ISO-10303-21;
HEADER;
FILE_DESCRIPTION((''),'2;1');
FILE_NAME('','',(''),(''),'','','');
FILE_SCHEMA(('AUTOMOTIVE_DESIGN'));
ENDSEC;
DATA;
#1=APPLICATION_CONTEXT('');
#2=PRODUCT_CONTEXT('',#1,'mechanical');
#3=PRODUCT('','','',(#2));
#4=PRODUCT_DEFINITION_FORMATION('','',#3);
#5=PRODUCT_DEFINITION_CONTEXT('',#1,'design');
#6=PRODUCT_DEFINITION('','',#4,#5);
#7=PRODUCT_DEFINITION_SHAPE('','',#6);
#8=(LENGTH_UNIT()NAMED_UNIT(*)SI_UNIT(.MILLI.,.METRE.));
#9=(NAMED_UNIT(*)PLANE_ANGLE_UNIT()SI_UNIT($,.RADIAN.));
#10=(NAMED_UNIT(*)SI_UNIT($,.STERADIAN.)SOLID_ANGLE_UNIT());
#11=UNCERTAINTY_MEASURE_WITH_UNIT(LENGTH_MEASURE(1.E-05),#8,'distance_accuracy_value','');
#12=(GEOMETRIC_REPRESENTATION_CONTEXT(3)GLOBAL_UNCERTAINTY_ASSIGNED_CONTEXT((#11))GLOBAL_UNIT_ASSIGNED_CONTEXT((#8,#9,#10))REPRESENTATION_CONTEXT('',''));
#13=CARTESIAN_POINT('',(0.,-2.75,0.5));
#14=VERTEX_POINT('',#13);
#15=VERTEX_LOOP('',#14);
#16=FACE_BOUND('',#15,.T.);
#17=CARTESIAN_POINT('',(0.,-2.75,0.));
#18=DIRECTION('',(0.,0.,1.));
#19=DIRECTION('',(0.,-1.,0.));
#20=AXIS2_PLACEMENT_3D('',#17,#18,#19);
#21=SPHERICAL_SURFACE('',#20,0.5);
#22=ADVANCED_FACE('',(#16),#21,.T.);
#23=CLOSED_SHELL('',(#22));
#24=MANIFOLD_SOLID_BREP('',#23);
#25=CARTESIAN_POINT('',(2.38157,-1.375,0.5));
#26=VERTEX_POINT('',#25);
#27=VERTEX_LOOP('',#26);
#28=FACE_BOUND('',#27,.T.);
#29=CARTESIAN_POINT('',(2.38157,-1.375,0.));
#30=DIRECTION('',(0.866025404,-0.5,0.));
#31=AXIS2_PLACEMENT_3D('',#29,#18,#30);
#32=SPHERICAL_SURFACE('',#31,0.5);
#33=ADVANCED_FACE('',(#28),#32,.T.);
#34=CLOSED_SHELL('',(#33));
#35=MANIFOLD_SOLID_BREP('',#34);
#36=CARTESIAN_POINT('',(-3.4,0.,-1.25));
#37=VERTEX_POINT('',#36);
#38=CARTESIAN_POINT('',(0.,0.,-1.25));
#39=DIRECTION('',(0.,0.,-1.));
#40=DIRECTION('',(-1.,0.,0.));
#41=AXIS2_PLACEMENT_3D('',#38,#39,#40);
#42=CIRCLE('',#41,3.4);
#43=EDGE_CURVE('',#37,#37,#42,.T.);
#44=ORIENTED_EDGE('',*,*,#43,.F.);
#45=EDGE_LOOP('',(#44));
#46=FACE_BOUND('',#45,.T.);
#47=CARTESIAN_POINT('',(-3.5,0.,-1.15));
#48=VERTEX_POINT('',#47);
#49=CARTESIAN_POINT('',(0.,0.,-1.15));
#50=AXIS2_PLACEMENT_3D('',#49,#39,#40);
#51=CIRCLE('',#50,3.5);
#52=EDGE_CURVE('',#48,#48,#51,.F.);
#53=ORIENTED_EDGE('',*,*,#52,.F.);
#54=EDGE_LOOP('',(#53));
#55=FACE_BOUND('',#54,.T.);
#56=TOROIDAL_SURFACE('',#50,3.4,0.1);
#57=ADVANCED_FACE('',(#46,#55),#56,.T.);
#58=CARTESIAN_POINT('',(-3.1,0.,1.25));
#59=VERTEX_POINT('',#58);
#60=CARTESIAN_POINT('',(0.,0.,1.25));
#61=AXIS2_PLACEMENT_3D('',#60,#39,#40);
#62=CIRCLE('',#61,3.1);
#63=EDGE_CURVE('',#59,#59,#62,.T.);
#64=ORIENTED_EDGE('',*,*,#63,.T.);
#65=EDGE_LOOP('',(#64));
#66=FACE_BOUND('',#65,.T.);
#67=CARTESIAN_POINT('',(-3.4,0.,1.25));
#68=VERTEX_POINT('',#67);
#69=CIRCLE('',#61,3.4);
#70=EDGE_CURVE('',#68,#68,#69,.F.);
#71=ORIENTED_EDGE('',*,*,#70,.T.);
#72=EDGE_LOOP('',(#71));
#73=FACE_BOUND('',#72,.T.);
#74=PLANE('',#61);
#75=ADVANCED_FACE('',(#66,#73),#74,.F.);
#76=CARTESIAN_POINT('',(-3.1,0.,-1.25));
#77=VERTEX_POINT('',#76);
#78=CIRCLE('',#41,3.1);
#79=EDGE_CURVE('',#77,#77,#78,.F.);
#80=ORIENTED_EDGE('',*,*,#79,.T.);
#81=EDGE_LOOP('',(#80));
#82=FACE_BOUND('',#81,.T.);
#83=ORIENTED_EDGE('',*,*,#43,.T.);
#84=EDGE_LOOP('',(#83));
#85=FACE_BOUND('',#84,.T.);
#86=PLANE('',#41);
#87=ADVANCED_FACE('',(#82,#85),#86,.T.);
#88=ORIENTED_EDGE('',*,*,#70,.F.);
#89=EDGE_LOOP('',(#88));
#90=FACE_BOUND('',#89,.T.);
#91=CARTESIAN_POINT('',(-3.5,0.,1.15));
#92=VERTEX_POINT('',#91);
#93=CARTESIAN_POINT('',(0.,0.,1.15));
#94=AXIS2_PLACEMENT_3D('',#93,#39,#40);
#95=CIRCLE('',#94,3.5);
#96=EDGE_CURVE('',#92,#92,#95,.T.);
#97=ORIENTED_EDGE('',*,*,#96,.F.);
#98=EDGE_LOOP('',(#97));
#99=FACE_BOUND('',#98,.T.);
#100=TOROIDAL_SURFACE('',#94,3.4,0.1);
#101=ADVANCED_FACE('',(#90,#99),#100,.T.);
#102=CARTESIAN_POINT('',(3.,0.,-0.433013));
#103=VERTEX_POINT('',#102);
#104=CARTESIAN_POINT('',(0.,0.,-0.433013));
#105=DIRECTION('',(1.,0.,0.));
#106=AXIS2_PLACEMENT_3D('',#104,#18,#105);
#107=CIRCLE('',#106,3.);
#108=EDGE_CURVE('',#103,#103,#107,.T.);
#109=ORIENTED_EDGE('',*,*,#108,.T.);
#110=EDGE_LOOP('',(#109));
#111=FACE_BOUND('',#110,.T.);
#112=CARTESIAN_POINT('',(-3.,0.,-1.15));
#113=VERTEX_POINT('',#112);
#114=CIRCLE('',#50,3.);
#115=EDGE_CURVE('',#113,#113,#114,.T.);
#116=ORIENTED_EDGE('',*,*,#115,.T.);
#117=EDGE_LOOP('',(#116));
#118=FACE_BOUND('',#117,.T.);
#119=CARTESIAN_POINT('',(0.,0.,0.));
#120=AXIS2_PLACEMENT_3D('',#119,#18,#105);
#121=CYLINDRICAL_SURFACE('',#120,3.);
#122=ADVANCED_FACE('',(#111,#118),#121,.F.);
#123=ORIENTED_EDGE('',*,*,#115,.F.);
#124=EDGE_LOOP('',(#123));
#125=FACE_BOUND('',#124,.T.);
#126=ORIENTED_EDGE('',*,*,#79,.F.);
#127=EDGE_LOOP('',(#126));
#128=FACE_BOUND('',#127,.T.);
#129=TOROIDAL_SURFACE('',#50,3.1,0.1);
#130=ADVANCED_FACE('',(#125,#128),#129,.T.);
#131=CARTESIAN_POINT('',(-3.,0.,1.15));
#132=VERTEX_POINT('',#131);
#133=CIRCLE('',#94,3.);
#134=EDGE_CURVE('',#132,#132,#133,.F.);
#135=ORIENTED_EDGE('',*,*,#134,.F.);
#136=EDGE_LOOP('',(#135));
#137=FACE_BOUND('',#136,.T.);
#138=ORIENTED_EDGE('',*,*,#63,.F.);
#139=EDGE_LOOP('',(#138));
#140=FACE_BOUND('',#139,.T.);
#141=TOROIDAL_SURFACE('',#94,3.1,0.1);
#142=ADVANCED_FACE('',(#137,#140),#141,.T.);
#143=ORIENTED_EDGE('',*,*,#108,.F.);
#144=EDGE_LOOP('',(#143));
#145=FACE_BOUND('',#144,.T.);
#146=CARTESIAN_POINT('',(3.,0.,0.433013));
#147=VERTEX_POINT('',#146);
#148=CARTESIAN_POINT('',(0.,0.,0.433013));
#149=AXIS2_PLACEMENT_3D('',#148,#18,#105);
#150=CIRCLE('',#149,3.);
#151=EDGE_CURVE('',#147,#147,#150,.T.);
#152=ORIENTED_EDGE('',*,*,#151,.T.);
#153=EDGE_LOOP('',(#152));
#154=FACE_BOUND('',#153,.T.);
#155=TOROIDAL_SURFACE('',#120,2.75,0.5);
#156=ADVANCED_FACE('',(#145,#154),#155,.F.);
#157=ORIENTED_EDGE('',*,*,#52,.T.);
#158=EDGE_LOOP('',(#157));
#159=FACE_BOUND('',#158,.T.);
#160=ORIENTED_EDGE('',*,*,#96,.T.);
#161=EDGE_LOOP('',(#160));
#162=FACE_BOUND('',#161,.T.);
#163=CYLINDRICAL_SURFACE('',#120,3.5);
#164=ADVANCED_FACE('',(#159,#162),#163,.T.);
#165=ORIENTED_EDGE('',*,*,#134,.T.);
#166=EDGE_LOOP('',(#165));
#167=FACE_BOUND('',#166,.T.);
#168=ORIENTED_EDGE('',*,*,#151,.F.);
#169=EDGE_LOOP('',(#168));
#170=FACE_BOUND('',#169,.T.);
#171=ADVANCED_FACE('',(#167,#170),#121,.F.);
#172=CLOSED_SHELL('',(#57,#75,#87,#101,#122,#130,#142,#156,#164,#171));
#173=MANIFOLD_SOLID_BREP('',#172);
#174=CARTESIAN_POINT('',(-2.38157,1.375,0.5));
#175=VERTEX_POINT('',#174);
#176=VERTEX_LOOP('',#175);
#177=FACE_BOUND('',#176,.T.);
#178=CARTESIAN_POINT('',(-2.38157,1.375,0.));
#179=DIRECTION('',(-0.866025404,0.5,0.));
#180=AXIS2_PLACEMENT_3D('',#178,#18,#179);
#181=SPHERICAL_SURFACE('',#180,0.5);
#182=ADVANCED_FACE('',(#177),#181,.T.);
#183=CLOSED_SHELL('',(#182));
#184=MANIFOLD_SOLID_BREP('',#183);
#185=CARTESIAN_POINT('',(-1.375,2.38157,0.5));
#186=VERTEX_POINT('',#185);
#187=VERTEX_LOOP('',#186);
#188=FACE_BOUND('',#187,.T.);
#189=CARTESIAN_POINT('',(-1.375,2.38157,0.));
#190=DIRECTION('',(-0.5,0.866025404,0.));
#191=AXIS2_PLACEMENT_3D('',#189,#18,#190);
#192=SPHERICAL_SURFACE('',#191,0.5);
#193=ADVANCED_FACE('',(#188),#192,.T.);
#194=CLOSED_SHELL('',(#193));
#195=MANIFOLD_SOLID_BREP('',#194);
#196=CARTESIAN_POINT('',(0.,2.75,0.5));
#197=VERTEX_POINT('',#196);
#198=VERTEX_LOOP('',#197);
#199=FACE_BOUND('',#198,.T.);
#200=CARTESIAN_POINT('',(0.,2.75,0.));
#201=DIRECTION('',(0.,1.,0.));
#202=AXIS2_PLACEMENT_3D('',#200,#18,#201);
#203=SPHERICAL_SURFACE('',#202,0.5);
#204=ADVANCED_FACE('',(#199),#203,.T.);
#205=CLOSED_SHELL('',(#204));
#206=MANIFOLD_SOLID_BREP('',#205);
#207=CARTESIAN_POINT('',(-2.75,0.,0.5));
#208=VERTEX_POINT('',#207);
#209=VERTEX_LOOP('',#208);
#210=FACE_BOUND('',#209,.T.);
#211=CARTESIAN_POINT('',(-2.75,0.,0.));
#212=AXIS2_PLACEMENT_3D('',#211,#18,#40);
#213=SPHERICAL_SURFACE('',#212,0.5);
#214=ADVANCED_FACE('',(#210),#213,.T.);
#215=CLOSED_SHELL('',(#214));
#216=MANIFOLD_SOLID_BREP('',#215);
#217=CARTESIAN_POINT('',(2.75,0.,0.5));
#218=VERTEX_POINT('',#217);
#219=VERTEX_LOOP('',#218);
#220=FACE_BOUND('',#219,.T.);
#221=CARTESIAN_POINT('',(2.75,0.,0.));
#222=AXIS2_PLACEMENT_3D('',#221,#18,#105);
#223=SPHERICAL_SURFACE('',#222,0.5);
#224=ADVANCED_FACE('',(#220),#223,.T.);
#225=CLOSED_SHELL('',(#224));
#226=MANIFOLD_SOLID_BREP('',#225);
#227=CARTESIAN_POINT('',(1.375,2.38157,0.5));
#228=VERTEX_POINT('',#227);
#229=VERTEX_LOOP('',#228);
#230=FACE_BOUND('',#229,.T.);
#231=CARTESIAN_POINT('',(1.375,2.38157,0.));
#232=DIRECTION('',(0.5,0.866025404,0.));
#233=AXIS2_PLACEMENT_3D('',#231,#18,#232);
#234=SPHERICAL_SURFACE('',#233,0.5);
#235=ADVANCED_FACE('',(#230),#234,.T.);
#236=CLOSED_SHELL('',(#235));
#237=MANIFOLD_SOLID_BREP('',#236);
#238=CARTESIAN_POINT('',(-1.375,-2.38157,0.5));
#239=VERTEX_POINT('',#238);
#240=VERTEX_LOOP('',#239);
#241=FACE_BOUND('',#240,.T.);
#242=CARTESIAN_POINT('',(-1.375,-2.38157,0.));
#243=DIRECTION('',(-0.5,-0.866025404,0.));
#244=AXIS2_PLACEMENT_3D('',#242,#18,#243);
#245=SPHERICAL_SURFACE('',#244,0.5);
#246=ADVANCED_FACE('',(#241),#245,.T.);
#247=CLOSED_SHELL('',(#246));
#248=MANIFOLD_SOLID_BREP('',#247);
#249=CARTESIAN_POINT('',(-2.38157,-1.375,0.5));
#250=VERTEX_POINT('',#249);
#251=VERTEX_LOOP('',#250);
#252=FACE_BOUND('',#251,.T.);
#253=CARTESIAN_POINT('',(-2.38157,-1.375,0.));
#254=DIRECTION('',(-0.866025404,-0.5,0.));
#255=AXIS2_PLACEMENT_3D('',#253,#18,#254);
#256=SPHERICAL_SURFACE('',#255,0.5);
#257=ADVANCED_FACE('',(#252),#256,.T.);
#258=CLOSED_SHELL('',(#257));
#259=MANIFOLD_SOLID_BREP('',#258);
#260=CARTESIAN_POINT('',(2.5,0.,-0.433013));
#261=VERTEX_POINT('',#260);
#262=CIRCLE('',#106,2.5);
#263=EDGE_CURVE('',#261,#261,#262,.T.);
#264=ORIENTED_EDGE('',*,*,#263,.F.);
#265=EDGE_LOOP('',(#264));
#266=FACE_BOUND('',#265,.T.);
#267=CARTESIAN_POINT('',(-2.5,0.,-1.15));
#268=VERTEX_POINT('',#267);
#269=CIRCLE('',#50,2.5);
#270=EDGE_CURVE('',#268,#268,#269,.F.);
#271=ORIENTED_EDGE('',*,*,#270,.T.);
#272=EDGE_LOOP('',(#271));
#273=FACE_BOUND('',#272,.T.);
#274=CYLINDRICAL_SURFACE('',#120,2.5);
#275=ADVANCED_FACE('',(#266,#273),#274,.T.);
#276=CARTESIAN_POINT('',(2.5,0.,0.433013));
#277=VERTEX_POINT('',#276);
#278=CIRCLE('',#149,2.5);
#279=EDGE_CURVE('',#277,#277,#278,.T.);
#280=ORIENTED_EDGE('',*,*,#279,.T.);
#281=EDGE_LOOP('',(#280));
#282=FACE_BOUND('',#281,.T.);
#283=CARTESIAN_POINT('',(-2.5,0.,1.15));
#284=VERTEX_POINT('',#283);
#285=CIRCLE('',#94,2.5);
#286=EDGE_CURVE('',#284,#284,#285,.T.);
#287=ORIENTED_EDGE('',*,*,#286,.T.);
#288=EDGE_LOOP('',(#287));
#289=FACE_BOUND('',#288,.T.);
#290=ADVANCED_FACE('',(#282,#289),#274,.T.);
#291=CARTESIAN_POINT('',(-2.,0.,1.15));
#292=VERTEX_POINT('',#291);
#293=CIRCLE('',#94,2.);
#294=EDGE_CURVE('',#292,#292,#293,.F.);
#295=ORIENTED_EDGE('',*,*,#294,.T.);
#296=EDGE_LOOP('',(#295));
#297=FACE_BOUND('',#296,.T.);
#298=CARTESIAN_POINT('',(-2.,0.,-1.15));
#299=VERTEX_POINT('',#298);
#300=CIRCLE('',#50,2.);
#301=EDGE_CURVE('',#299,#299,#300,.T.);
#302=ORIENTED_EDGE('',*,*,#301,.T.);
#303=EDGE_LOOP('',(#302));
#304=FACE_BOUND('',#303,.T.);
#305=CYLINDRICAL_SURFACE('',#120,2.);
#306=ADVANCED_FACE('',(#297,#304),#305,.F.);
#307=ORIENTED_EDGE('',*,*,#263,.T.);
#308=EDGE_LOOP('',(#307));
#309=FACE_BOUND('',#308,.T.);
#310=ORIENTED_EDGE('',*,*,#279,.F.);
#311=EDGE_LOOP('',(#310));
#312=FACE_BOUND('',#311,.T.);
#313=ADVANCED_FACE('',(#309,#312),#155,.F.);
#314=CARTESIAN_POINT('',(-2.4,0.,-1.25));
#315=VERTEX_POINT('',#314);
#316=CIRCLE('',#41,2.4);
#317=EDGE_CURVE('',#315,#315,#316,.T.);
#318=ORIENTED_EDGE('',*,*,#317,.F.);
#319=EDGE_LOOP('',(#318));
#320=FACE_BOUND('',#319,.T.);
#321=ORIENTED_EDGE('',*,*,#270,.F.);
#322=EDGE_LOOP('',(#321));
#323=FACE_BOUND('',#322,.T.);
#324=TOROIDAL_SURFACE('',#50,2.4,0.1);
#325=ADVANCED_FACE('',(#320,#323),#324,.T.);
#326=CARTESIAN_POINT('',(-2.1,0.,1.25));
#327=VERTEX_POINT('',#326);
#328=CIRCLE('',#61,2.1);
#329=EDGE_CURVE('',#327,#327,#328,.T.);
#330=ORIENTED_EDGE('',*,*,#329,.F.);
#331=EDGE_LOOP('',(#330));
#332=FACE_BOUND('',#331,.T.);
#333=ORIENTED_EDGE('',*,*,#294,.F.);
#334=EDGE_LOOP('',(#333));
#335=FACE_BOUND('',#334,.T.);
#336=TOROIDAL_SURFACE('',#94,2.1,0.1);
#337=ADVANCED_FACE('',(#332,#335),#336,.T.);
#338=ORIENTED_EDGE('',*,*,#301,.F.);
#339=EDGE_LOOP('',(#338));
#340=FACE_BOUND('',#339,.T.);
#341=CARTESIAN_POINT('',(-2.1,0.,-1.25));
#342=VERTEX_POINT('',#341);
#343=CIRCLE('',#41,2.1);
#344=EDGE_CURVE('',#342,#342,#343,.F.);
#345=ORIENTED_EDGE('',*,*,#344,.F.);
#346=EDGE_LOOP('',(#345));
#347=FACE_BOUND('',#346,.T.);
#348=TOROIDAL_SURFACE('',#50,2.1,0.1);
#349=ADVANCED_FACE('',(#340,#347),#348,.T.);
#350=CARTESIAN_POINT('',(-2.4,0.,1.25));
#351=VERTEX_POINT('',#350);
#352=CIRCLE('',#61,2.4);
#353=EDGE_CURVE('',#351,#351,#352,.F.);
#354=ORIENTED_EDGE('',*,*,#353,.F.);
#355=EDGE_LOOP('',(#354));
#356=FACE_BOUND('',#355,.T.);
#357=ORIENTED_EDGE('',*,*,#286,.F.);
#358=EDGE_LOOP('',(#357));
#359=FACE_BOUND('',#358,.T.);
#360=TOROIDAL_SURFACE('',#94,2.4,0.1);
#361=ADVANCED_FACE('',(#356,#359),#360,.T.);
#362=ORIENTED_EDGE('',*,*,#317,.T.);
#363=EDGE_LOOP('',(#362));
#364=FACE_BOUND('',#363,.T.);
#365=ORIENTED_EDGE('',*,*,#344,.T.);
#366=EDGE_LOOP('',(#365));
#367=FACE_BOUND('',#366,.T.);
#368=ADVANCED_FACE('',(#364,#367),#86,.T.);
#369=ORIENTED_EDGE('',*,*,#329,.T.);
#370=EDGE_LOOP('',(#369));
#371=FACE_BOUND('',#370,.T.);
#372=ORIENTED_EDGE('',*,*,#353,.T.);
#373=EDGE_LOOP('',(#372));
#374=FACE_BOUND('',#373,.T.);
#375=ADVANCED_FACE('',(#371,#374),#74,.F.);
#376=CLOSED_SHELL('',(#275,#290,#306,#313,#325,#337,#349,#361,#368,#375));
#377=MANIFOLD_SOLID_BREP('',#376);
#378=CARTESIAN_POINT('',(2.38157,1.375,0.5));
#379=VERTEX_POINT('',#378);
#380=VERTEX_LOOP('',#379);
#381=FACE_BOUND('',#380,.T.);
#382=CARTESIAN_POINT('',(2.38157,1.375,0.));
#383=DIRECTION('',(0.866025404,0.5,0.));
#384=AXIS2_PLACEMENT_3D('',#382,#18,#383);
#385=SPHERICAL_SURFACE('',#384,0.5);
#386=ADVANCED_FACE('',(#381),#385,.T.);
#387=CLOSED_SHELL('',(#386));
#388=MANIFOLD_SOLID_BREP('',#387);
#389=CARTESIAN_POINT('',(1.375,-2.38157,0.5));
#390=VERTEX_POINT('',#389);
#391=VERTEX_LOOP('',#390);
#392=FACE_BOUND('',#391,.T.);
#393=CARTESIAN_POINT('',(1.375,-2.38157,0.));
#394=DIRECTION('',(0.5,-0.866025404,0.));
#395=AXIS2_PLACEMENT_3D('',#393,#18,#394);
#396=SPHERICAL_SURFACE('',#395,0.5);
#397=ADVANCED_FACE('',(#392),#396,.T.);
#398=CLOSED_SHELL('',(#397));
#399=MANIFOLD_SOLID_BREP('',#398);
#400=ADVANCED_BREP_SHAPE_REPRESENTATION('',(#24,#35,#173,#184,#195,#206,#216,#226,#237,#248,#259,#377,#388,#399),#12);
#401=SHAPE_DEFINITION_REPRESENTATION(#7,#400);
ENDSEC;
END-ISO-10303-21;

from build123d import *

# Parameters (mm, degrees)
KREISMUSTER4_COUNT = 12
VERRUNDUNG1_R      = 0.1
VERRUNDUNG2_R      = 0.1


with BuildPart() as part:
    # Skizze1 → Rotation1 (revolve)
    with BuildSketch(Plane(origin=(0, 0, 0), x_dir=(0, 0, -1), z_dir=(1, 0, 0))):
        with BuildLine():
            Line((1.25, 3.5), (-1.25, 3.5))
            Line((-1.25, 3.5), (-1.25, 3))
            Line((-1.25, 3), (-0.433012702, 3))
            ThreePointArc((-0.433012702, 3), (0, 3.25), (0.433012702, 3))
            Line((0.433012702, 3), (1.25, 3))
            Line((1.25, 3), (1.25, 3.5))
        make_face()
        with BuildLine():
            ThreePointArc((0.433012702, 2.5), (0, 2.25), (-0.433012702, 2.5))
            Line((-0.433012702, 2.5), (-1.25, 2.5))
            Line((-1.25, 2.5), (-1.25, 2))
            Line((-1.25, 2), (1.25, 2))
            Line((1.25, 2), (1.25, 2.5))
            Line((1.25, 2.5), (0.433012702, 2.5))
        make_face()
    revolve(axis=Axis((0, 0, 0), (0, 0, -1)))

    # Verrundung1
    verrundung1_edges = [part.edges().sort_by_distance(p)[0] for p in [
        (0, -3, -1.25),
        (0, -3, 1.25),
        (0, -3.5, -1.25),
        (0, -3.5, 1.25),
    ]]
    fillet(verrundung1_edges, radius=VERRUNDUNG1_R)

    # Verrundung2
    verrundung2_edges = [part.edges().sort_by_distance(p)[0] for p in [
        (0, -2.5, -1.25),
        (0, -2, -1.25),
        (0, -2.5, 1.25),
        (0, -2, 1.25),
    ]]
    fillet(verrundung2_edges, radius=VERRUNDUNG2_R)


with BuildPart() as body_2:
    # Skizze1<5> → Rotation3 (revolve)
    with BuildSketch(Plane(origin=(0, 0, 0), x_dir=(0, 0, -1), z_dir=(1, 0, 0))):
        with BuildLine():
            ThreePointArc((0.433012702, 3), (0, 3.25), (-0.433012702, 3))
            ThreePointArc((-0.433012702, 3), (-0.482962913, 2.879409523), (-0.5, 2.75))
            Line((-0.5, 2.75), (0.5, 2.75))
            ThreePointArc((0.5, 2.75), (0.482962913, 2.879409523), (0.433012702, 3))
        make_face()
    revolve(axis=Axis((0, 2.75, 0.5), (0, 0, -1)))


with BuildPart() as kreismuster4_1:
    # Kreismuster4: pattern copy
    add(body_2.part.rotate(Axis((0, 0, -1.25), (0, 0, 1)), 1 * 360 / KREISMUSTER4_COUNT))


with BuildPart() as kreismuster4_2:
    # Kreismuster4: pattern copy
    add(body_2.part.rotate(Axis((0, 0, -1.25), (0, 0, 1)), 2 * 360 / KREISMUSTER4_COUNT))


with BuildPart() as kreismuster4_3:
    # Kreismuster4: pattern copy
    add(body_2.part.rotate(Axis((0, 0, -1.25), (0, 0, 1)), 3 * 360 / KREISMUSTER4_COUNT))


with BuildPart() as kreismuster4_4:
    # Kreismuster4: pattern copy
    add(body_2.part.rotate(Axis((0, 0, -1.25), (0, 0, 1)), 4 * 360 / KREISMUSTER4_COUNT))


with BuildPart() as kreismuster4_5:
    # Kreismuster4: pattern copy
    add(body_2.part.rotate(Axis((0, 0, -1.25), (0, 0, 1)), 5 * 360 / KREISMUSTER4_COUNT))


with BuildPart() as kreismuster4_6:
    # Kreismuster4: pattern copy
    add(body_2.part.rotate(Axis((0, 0, -1.25), (0, 0, 1)), 6 * 360 / KREISMUSTER4_COUNT))


with BuildPart() as kreismuster4_7:
    # Kreismuster4: pattern copy
    add(body_2.part.rotate(Axis((0, 0, -1.25), (0, 0, 1)), 7 * 360 / KREISMUSTER4_COUNT))


with BuildPart() as kreismuster4_8:
    # Kreismuster4: pattern copy
    add(body_2.part.rotate(Axis((0, 0, -1.25), (0, 0, 1)), 8 * 360 / KREISMUSTER4_COUNT))


with BuildPart() as kreismuster4_9:
    # Kreismuster4: pattern copy
    add(body_2.part.rotate(Axis((0, 0, -1.25), (0, 0, 1)), 9 * 360 / KREISMUSTER4_COUNT))


with BuildPart() as kreismuster4_10:
    # Kreismuster4: pattern copy
    add(body_2.part.rotate(Axis((0, 0, -1.25), (0, 0, 1)), 10 * 360 / KREISMUSTER4_COUNT))


with BuildPart() as kreismuster4_11:
    # Kreismuster4: pattern copy
    add(body_2.part.rotate(Axis((0, 0, -1.25), (0, 0, 1)), 11 * 360 / KREISMUSTER4_COUNT))


solid = Compound([part.part, body_2.part, kreismuster4_1.part, kreismuster4_2.part, kreismuster4_3.part, kreismuster4_4.part, kreismuster4_5.part, kreismuster4_6.part, kreismuster4_7.part, kreismuster4_8.part, kreismuster4_9.part, kreismuster4_10.part, kreismuster4_11.part])
